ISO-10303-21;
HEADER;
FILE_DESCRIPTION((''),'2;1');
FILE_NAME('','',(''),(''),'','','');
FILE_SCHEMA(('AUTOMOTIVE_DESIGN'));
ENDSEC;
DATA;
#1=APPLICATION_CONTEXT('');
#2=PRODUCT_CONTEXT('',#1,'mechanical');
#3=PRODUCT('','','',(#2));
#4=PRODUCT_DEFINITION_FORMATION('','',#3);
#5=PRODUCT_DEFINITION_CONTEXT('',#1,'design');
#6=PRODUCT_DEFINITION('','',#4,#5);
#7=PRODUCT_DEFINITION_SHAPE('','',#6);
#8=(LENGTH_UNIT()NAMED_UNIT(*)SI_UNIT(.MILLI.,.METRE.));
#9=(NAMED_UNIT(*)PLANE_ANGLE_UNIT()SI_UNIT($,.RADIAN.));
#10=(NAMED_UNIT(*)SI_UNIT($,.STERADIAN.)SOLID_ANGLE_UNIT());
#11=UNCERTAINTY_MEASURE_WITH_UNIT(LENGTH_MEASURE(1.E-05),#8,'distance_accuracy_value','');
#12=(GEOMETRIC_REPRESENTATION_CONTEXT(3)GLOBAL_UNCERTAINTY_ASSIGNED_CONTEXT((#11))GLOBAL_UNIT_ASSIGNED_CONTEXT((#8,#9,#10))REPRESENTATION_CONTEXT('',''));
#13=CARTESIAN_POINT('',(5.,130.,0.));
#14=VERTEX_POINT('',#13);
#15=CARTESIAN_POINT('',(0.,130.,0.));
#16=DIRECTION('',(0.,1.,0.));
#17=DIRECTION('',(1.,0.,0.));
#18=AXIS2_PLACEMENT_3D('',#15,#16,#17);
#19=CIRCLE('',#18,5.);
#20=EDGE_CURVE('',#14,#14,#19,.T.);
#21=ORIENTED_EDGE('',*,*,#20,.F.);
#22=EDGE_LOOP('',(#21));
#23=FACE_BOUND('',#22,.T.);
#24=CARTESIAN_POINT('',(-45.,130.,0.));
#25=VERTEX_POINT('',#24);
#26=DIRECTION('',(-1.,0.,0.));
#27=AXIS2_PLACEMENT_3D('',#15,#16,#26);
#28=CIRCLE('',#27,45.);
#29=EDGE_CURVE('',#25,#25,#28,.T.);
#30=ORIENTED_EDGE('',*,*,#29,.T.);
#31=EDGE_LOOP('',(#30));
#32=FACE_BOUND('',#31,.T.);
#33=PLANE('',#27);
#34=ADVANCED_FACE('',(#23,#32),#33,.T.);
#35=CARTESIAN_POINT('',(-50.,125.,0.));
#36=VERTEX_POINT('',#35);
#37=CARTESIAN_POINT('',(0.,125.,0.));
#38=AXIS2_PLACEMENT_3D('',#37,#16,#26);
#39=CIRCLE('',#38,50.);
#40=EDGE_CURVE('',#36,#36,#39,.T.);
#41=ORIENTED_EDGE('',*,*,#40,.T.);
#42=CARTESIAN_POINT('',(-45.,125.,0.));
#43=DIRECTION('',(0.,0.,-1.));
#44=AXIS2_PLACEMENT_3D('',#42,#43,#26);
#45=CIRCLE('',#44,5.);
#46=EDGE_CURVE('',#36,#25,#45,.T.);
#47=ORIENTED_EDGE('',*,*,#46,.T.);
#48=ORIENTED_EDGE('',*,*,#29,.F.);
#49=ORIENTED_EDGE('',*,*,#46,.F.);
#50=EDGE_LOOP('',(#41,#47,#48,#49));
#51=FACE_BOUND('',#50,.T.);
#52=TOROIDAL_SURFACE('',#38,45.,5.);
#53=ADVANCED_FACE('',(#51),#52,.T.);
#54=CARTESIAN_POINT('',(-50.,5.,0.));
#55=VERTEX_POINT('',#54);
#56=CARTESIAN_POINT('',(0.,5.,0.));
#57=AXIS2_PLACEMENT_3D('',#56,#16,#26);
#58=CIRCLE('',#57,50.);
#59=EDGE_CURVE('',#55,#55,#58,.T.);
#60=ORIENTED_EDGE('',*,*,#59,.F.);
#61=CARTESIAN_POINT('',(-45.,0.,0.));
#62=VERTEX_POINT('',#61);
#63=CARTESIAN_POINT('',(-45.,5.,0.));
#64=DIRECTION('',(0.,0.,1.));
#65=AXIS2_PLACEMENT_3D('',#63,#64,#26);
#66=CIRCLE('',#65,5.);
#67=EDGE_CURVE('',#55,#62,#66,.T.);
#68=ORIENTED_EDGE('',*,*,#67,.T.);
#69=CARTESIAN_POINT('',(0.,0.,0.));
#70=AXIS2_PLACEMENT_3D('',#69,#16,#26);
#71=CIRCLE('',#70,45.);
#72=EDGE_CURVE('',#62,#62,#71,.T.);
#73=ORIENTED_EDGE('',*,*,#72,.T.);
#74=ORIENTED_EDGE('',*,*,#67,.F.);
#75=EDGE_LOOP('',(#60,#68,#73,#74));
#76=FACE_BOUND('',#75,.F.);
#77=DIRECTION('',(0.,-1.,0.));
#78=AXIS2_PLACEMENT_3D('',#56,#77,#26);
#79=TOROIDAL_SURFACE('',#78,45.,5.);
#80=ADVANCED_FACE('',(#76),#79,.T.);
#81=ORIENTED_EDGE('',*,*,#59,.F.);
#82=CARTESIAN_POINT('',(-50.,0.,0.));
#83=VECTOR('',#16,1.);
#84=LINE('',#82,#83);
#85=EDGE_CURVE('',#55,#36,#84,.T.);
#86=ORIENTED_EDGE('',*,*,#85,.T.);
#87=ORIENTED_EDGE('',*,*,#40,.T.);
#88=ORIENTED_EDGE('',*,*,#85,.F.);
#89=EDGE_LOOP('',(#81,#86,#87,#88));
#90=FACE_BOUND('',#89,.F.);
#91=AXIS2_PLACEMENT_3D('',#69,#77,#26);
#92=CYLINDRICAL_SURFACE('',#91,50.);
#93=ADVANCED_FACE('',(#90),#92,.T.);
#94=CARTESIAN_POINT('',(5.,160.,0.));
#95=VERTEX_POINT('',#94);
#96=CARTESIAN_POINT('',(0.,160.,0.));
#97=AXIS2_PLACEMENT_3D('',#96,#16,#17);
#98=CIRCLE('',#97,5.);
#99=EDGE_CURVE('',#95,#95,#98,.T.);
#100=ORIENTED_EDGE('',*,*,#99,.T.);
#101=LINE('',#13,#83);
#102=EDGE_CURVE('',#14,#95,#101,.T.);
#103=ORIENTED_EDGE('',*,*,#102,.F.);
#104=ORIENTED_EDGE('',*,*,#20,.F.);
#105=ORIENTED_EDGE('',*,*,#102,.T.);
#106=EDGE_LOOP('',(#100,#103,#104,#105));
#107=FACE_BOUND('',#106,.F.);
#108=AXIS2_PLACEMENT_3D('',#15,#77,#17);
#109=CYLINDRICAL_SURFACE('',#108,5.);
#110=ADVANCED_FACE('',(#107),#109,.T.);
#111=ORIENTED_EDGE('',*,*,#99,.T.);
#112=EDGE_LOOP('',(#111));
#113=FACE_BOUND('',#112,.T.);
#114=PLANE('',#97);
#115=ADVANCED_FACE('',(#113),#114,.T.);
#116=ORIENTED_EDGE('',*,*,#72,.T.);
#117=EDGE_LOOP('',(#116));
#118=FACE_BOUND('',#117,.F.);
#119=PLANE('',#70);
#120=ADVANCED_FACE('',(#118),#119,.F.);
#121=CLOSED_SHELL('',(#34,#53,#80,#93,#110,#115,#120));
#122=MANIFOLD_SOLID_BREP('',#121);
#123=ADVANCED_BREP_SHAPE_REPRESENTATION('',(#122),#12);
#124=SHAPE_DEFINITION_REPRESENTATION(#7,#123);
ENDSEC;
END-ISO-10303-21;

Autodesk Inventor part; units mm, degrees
ref_plane "YZ Plane" through (0, 0, 0) normal (1, 0, 0) x (0, 1, 0)
ref_plane "XZ Plane" through (0, 0, 0) normal (0, 1, 0) x (-1, 0, 0)
ref_plane "XY Plane" through (0, 0, 0) normal (0, 0, 1) x (1, 0, 0)
sketch "Эскиз1" plane through (0, 0, 0) normal (0, 1, 0) x (-1, 0, 0)
  circle A0 centre (0, 0) radius 50
  dimension "d0" = 100
extrude "Выдавливание1" add sketch "Эскиз1" along normal blind 130
sketch "Эскиз2" plane through (0, 130, 0) normal (0, 1, 0) x (1, 0, 0)
  circle A0 centre (0, 0) radius 5
  dimension "d3" = 10
extrude "Выдавливание2" add sketch "Эскиз2" along normal blind 30
fillet "Сопряжение1" radius 5 2 edges at (50, 130, 0) (50, 0, 0)
properties part number "МоторКолес"
